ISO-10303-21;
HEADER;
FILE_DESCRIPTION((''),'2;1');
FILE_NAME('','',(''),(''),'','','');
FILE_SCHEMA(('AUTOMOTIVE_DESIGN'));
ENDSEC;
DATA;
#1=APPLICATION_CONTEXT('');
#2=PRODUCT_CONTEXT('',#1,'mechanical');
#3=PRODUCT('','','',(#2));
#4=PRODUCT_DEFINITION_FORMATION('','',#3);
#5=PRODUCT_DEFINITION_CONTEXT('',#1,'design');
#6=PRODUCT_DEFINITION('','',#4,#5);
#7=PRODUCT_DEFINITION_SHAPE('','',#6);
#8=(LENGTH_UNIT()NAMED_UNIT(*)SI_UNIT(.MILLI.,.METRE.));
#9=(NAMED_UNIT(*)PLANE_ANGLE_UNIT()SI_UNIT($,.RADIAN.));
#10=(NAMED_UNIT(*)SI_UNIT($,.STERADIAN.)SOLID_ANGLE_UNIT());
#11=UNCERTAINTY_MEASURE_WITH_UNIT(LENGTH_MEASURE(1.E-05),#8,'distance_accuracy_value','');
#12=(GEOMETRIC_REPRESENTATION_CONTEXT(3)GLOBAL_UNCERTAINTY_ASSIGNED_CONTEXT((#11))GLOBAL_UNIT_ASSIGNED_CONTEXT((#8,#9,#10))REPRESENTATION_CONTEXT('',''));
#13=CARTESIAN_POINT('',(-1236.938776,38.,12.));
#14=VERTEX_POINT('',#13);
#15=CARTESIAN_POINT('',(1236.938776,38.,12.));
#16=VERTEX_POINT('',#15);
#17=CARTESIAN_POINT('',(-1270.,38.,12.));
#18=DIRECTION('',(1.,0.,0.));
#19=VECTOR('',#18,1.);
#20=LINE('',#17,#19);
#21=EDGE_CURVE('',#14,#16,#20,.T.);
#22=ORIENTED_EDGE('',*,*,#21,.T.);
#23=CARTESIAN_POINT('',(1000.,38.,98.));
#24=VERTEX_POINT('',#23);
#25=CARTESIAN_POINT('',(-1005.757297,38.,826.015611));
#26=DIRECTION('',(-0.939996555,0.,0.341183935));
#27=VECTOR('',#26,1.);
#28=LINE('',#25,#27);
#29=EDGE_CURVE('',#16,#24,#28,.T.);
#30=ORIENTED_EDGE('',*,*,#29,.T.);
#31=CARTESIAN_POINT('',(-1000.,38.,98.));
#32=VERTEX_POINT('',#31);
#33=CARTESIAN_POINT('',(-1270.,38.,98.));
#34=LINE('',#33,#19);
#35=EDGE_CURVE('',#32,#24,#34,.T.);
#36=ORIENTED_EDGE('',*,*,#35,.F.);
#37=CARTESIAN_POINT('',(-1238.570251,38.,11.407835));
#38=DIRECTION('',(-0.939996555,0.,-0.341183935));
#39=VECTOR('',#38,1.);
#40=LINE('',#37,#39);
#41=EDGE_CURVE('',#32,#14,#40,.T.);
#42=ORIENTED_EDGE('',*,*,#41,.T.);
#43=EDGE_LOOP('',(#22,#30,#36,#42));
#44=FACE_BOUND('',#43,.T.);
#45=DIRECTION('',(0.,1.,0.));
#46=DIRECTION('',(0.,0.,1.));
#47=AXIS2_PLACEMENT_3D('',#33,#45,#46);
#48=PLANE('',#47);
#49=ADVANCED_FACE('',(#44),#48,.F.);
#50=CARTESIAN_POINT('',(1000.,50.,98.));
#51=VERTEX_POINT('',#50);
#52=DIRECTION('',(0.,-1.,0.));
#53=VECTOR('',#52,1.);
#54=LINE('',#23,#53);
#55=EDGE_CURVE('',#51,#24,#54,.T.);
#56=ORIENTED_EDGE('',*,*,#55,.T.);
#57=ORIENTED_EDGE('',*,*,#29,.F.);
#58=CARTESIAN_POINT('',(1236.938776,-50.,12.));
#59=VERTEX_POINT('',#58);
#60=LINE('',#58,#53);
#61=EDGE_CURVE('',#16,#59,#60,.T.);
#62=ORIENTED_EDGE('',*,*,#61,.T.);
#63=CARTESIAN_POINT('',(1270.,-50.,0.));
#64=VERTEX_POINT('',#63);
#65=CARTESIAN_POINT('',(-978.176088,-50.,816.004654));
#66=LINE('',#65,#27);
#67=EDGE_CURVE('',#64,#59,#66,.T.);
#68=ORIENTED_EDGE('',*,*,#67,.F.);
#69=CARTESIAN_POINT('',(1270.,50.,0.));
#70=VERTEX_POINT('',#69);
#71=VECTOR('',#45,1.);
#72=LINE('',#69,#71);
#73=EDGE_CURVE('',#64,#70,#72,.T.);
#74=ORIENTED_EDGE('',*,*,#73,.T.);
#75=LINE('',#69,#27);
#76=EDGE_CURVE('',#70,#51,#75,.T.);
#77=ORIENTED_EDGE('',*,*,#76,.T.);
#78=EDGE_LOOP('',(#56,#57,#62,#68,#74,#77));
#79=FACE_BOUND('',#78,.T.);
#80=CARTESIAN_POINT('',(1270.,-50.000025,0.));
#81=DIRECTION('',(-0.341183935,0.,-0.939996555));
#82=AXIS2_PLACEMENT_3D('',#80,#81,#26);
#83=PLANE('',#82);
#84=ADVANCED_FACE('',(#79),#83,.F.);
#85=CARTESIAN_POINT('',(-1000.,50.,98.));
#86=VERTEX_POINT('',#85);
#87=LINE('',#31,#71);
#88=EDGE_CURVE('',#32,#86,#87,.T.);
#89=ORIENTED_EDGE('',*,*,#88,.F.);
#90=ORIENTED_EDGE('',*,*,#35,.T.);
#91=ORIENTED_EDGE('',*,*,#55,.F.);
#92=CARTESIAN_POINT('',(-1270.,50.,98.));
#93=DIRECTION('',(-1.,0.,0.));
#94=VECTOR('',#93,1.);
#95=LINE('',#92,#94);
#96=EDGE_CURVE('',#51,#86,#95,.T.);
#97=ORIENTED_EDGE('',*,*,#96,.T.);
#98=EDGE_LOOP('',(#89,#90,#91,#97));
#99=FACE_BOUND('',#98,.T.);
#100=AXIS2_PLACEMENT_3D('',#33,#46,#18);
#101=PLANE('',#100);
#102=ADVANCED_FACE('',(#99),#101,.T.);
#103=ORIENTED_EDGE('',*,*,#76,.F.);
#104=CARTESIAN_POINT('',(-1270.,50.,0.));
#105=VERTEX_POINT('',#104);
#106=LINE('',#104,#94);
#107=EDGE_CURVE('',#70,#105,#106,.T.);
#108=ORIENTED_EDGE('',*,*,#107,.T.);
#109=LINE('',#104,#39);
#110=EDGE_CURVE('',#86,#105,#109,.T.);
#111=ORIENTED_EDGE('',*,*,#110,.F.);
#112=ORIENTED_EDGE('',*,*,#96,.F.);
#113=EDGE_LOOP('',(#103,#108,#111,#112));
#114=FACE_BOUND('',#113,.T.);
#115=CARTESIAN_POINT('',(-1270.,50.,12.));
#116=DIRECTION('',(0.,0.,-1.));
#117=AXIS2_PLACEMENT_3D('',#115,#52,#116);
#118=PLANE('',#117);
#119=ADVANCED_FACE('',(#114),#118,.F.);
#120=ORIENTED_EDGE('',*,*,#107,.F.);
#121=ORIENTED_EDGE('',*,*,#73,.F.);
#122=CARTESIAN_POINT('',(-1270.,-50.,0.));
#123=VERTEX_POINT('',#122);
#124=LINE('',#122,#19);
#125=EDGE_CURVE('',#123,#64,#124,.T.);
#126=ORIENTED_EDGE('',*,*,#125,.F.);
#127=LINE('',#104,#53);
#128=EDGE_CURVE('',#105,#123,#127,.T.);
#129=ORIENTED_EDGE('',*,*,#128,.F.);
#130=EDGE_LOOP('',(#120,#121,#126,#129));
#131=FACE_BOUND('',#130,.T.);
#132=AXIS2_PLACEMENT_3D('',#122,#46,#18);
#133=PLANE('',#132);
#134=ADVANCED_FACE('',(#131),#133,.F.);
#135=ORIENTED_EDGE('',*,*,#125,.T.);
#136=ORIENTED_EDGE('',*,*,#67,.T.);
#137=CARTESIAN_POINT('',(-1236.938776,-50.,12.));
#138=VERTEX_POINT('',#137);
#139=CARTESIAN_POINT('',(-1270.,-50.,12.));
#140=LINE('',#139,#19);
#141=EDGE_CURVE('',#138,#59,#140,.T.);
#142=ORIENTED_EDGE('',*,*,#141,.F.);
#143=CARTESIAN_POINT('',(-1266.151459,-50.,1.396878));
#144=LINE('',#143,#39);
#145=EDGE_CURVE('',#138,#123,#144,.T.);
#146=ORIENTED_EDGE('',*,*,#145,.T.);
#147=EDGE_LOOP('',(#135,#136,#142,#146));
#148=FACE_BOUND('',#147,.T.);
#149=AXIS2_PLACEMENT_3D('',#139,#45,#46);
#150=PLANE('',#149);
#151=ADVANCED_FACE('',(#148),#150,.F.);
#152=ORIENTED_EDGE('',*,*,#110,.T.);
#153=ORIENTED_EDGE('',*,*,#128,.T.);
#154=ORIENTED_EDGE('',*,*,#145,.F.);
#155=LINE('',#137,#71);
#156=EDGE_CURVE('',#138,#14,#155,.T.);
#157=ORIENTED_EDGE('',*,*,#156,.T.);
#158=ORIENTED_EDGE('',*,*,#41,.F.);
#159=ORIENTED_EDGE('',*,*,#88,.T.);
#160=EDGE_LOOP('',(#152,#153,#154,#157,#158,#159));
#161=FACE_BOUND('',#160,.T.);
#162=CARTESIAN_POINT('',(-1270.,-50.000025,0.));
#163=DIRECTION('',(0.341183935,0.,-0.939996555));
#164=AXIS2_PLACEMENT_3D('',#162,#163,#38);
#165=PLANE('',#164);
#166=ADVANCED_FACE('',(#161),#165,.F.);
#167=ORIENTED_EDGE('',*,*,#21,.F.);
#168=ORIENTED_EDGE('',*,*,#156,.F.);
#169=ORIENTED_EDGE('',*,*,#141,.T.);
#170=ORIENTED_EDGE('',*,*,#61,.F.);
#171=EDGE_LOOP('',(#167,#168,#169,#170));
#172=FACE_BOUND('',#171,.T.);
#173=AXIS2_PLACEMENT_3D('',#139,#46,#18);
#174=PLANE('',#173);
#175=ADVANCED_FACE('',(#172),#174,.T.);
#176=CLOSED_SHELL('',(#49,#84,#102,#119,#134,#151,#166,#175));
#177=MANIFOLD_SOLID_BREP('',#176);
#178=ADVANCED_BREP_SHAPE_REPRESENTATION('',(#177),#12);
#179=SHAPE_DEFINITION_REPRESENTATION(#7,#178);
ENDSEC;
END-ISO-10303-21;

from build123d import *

# Parameters (mm, degrees)
SKETCH_1_W          = 2540
SKETCH_1_H          = 100
EXTRUDE_453_DEPTH   = 12
SKETCH_2_W          = 2540
SKETCH_2_H          = 12
EXTRUDE_1_DEPTH     = 86
CUT_EXTRUDE_1_DEPTH = 1278.694799238


with BuildPart() as part:
    # 草图1 → Extrude 453 (new body)
    with BuildSketch(Plane.XY):
        Rectangle(SKETCH_1_W, SKETCH_1_H)
    extrude(amount=EXTRUDE_453_DEPTH)

    # 草图2 → 凸台-拉伸1 (add)
    with BuildSketch(Plane.XY.offset(12)):
        with Locations((0, 44)):
            Rectangle(SKETCH_2_W, SKETCH_2_H)
    extrude(amount=EXTRUDE_1_DEPTH)

    # 草图4 → 切除-拉伸1 (cut, through all)
    with BuildSketch(Plane(origin=(0, 50, 0), x_dir=(-1, 0, 0), z_dir=(0, 1, 0))):
        Polygon((-1270, 0), (-1270, 98), (-1000, 98), align=None)
        Polygon((1270, 0), (1000, 98), (1270, 98), align=None)
    extrude(amount=-CUT_EXTRUDE_1_DEPTH, mode=Mode.SUBTRACT)


solid = part.part
